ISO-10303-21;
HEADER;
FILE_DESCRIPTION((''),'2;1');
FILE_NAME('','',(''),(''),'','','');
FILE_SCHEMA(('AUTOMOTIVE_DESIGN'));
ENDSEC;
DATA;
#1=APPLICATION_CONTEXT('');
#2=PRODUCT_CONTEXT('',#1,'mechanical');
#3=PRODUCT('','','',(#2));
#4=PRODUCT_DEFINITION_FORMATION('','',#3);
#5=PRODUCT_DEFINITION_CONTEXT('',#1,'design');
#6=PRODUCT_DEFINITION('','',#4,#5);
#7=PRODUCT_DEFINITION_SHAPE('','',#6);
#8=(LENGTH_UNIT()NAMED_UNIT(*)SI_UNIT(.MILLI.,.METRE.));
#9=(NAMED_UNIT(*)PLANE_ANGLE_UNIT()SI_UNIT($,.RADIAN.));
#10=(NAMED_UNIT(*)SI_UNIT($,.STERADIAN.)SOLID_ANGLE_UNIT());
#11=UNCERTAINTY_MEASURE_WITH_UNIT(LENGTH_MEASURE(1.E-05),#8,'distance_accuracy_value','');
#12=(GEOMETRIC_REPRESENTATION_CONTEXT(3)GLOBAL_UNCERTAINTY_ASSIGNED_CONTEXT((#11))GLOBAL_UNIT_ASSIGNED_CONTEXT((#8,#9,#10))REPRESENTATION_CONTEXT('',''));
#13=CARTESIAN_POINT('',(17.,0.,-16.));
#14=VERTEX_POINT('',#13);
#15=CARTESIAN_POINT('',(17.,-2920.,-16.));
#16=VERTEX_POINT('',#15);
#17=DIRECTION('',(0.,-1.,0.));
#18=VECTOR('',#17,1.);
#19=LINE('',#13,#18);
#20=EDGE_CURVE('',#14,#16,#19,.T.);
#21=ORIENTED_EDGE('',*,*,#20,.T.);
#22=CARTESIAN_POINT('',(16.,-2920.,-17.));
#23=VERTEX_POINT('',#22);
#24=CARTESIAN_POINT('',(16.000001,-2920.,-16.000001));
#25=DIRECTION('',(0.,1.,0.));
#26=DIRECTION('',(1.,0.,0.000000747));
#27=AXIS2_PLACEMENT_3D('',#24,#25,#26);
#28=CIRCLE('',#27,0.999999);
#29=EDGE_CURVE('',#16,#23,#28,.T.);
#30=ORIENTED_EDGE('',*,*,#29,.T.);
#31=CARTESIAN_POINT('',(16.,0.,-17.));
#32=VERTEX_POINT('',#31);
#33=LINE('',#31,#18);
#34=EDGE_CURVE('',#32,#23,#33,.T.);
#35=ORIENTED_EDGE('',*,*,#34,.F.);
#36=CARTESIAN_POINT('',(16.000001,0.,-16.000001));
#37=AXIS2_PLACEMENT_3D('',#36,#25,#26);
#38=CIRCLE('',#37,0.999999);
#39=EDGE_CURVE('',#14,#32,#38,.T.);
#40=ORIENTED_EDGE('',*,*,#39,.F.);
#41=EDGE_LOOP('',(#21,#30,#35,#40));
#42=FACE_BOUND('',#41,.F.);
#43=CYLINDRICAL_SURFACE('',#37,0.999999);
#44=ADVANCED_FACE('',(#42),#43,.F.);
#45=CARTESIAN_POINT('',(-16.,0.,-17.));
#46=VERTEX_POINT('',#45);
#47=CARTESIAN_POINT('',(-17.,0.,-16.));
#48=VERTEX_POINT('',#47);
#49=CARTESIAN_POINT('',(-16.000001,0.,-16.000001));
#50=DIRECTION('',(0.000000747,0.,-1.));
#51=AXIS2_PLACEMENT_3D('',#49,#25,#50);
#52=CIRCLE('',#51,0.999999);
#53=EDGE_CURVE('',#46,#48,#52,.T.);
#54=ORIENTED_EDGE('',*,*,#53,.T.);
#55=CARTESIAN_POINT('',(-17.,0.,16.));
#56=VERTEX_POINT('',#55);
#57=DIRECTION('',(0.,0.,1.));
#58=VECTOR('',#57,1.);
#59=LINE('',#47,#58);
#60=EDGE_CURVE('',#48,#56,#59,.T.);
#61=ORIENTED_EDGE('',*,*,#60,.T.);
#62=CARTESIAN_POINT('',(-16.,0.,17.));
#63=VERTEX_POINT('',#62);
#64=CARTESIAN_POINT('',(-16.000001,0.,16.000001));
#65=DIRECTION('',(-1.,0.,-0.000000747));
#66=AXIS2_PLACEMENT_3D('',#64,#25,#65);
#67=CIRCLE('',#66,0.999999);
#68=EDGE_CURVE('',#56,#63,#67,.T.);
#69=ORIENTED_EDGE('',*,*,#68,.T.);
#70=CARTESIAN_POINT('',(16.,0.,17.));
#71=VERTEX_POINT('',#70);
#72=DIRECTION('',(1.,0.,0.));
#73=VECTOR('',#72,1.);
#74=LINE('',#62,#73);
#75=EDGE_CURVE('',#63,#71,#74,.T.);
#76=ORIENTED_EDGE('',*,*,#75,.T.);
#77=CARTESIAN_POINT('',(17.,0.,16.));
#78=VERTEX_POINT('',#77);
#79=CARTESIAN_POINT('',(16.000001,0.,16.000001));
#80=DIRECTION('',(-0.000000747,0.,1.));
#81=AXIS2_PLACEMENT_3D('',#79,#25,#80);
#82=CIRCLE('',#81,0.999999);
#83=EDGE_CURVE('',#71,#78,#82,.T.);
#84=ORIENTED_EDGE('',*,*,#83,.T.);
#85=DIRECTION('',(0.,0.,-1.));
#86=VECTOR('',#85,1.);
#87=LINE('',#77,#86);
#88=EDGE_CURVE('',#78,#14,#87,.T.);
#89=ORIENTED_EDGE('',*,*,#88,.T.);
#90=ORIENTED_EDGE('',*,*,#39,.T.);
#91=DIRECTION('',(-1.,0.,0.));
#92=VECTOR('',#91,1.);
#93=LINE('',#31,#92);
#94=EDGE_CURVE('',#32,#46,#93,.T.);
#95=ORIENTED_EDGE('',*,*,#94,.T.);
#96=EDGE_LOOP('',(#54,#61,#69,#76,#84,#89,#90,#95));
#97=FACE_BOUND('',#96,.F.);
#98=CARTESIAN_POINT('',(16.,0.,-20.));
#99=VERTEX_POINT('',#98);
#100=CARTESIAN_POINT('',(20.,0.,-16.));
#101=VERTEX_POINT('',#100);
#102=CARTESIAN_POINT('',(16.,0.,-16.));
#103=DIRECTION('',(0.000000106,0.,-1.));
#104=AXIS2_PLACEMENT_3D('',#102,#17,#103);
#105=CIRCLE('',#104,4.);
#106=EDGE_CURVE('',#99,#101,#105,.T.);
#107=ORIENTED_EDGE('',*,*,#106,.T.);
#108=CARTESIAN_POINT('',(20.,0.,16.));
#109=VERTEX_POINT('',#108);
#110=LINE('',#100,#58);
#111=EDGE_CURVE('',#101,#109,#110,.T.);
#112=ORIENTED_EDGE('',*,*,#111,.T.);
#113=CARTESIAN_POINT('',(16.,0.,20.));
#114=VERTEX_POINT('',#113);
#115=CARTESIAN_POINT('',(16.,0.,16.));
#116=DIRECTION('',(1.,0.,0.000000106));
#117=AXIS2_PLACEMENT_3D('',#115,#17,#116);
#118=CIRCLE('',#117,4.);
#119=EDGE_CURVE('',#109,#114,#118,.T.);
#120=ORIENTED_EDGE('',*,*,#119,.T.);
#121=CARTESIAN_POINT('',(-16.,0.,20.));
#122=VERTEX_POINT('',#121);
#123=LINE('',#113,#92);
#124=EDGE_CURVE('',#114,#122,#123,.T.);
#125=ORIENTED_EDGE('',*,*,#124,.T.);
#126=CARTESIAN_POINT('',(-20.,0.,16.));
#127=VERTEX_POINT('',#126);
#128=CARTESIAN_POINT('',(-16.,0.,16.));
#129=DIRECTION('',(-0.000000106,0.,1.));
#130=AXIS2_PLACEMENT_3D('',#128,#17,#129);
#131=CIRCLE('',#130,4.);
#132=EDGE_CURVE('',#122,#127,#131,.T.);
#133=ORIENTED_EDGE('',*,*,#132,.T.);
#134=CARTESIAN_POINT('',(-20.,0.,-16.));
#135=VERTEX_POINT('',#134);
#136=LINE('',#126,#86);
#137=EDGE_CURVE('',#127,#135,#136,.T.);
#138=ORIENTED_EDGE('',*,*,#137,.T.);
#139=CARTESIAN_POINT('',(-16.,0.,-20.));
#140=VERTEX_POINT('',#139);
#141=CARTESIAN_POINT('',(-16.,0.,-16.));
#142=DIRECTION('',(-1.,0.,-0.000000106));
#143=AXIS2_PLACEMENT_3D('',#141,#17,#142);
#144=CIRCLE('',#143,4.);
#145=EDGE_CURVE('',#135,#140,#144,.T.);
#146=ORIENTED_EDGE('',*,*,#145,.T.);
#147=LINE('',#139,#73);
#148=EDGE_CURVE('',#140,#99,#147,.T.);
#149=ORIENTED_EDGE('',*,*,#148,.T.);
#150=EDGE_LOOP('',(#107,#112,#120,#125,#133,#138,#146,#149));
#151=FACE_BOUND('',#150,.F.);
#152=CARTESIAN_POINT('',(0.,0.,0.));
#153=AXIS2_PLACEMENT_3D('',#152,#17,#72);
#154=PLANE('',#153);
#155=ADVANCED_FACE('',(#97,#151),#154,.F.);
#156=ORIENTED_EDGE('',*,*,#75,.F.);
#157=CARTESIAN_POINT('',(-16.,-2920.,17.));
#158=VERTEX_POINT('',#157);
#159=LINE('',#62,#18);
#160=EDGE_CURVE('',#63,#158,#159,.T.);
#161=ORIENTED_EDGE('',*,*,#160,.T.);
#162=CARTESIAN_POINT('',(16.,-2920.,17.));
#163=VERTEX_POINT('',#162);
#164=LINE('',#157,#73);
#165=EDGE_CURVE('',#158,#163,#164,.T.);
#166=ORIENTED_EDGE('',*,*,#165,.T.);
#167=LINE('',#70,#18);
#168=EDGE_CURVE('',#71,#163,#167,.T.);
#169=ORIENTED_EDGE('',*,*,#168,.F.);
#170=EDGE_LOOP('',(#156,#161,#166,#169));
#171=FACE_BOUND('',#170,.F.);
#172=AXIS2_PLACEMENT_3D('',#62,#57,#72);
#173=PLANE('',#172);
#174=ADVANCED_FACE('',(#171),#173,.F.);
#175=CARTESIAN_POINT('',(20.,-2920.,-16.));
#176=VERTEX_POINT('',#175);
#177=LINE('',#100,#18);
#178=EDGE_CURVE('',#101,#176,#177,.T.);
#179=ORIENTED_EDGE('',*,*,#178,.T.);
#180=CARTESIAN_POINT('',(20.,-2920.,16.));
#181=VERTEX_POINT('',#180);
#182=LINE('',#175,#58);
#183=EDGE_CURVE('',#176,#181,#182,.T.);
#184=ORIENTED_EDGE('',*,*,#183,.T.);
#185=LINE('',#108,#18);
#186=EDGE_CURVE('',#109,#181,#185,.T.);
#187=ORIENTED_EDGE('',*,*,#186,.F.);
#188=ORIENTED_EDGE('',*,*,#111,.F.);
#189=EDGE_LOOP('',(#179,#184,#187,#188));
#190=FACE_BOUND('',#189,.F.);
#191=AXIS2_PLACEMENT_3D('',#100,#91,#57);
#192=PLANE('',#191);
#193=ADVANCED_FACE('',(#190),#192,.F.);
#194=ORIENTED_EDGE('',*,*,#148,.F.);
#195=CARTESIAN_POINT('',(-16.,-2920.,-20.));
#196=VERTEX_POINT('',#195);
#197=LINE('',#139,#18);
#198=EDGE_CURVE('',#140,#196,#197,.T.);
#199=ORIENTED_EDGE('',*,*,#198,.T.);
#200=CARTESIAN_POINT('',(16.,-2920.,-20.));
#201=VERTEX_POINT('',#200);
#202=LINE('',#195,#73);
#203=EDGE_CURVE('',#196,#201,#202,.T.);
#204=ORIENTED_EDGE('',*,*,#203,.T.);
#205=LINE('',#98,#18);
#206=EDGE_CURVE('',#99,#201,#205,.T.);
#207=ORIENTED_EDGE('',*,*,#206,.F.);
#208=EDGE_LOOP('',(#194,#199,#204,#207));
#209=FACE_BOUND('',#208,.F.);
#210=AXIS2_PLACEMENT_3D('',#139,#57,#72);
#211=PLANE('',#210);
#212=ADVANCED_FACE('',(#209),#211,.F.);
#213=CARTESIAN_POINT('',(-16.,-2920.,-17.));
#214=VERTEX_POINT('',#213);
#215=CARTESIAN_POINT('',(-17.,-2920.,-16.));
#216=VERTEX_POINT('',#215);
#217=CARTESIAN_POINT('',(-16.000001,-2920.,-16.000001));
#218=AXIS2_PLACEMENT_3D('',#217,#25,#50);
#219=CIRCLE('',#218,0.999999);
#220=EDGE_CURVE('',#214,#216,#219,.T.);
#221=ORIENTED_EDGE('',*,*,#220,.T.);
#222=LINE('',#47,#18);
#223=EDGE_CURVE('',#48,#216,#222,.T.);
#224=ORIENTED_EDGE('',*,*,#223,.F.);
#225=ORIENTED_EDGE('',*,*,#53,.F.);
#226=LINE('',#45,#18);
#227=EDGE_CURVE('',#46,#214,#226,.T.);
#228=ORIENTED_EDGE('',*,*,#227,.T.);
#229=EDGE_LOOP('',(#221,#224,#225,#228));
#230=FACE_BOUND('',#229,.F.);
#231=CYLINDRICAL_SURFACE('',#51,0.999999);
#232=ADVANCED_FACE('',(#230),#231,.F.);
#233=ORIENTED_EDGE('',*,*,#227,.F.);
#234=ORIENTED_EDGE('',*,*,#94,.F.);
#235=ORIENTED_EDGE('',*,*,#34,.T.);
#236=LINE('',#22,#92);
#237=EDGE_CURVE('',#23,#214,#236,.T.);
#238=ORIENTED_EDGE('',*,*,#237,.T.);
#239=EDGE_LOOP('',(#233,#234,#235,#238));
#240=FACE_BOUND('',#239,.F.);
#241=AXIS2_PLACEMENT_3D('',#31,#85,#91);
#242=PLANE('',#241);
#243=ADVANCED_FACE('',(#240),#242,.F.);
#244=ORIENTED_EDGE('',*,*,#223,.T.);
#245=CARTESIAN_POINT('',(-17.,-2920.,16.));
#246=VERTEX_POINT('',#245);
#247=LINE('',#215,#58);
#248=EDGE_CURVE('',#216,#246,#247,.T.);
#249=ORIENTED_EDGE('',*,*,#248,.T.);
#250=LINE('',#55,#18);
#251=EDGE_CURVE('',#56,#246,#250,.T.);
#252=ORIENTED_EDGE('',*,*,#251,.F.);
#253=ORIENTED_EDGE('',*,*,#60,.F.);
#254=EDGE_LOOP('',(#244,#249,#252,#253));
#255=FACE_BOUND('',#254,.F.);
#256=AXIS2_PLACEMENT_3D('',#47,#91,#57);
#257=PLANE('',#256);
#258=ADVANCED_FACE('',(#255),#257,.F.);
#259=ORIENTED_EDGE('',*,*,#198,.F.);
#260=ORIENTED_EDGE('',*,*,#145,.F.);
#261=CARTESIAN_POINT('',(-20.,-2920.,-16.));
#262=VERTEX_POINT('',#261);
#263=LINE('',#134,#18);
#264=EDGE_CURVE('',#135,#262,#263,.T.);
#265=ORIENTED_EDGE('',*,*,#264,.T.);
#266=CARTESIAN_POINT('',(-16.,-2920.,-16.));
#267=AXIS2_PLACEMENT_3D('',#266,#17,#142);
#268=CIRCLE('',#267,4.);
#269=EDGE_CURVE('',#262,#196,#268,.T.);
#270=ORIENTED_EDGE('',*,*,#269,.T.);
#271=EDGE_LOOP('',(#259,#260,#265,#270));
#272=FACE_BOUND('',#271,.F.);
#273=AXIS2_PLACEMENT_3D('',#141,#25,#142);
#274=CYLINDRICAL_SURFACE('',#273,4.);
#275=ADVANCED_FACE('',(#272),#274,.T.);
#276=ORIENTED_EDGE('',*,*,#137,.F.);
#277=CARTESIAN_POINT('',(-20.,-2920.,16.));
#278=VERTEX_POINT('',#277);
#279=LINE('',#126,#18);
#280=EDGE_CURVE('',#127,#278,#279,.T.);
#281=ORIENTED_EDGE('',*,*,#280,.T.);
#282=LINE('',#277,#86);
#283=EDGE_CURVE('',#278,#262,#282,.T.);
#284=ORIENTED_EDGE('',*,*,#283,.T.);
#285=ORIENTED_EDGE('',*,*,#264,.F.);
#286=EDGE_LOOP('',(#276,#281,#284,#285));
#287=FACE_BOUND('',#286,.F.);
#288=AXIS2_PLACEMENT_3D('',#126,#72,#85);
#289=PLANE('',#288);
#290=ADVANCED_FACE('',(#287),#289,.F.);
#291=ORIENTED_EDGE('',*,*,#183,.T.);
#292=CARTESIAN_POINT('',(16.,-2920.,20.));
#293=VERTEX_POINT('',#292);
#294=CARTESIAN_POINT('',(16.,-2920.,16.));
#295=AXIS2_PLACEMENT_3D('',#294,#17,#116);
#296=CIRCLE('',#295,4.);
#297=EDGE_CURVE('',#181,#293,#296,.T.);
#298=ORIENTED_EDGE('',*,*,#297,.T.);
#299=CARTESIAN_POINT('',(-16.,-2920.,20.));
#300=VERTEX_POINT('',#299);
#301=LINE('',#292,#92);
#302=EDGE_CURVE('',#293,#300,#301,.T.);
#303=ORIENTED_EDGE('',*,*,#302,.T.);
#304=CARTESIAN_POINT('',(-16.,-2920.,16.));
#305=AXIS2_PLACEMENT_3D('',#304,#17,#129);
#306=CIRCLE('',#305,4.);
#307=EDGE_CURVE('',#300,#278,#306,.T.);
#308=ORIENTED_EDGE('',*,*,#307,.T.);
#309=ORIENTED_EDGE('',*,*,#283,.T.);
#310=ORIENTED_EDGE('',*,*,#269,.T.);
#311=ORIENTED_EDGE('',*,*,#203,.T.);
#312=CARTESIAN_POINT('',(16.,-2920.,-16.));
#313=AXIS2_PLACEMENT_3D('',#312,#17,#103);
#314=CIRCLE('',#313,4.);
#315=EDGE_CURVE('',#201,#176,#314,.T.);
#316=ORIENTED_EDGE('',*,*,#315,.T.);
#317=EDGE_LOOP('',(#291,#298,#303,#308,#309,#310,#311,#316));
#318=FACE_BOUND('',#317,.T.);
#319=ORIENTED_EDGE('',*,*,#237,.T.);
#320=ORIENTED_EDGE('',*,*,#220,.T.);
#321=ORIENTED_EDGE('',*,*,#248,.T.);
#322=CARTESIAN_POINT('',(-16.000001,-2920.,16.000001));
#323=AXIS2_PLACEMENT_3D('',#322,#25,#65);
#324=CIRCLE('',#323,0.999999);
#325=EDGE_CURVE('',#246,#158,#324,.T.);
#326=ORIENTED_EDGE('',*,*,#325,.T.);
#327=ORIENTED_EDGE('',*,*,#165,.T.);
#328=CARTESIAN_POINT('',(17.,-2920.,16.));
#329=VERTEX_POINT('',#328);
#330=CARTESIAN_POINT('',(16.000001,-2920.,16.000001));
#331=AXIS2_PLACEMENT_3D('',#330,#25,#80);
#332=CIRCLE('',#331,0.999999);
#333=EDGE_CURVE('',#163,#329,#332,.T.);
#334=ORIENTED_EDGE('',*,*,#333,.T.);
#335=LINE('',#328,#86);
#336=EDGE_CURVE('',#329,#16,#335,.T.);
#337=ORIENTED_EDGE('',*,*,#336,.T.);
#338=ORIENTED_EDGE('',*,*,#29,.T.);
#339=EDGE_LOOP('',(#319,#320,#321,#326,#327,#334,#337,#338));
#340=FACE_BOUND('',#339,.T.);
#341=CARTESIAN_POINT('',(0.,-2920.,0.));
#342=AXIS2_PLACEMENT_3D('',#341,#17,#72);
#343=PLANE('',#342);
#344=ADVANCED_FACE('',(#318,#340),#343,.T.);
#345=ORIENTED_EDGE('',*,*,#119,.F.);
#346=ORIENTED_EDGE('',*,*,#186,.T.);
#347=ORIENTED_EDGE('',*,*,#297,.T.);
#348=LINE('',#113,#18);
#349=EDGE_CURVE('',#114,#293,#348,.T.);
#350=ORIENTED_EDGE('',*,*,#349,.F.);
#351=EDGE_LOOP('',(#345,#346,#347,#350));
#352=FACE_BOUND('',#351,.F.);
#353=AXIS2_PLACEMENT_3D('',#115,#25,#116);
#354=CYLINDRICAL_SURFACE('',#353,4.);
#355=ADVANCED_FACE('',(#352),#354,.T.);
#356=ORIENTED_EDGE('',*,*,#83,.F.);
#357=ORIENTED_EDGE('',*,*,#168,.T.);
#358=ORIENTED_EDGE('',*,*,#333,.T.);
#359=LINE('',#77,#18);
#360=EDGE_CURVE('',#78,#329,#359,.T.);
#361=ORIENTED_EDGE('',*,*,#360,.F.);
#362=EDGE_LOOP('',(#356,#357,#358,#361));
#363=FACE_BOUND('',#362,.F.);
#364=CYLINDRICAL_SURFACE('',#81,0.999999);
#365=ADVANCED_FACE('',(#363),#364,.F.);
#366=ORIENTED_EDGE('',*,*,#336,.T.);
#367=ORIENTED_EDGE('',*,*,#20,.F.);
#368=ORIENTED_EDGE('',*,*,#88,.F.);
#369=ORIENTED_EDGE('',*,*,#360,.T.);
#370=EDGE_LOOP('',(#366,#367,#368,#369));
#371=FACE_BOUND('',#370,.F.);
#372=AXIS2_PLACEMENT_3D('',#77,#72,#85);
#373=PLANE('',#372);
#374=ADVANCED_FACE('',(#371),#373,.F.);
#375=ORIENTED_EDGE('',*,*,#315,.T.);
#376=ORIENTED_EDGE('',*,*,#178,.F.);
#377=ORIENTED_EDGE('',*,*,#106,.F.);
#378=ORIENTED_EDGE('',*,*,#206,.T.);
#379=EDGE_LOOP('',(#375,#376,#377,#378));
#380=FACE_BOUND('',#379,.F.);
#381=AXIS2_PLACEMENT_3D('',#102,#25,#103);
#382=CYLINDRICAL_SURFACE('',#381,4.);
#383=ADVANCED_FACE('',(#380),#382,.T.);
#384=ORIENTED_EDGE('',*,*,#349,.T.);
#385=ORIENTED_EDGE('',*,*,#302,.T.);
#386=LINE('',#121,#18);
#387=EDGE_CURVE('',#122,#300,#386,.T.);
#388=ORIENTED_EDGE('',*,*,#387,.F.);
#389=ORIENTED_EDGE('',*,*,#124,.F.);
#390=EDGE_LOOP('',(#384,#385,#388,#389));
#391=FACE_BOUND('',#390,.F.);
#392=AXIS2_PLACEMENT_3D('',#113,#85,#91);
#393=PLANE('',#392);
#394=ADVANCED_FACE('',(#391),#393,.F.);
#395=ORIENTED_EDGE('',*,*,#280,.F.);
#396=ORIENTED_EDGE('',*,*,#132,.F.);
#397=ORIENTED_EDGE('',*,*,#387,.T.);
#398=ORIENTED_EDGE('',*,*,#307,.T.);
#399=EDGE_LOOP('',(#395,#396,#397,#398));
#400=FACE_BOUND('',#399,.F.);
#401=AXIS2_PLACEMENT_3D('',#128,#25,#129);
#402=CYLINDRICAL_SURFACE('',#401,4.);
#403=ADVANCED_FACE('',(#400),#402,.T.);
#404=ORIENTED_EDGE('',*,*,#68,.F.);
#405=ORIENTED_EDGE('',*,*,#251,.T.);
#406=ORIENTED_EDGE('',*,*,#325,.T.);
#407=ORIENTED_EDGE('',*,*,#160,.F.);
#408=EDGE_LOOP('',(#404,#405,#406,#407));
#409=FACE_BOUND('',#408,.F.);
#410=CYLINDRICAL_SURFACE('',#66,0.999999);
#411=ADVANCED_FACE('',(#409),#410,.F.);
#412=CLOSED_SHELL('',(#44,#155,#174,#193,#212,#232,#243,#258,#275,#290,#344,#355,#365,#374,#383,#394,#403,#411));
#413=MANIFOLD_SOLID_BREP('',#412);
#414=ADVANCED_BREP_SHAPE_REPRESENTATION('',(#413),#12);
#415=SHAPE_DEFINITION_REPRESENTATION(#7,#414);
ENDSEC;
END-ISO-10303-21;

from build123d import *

# Parameters (mm, degrees)
F1_DEPTH = 2920


with BuildPart() as f1:
    # F0 (on Front) → F1 (new body)
    with BuildSketch(Plane.XZ):
        with BuildLine():
            ThreePointArc((20, 16), (18.828427, 18.828427), (16, 20))
            Line((16, 20), (-16, 20))
            ThreePointArc((-16, 20), (-18.828427, 18.828427), (-20, 16))
            Line((-20, 16), (-20, -16))
            ThreePointArc((-20, -16), (-18.828427, -18.828427), (-16, -20))
            Line((-16, -20), (16, -20))
            ThreePointArc((16, -20), (18.828427, -18.828427), (20, -16))
            Line((20, -16), (20, 16))
        make_face()
        with BuildLine():
            Line((-16, 17), (16, 17))
            ThreePointArc((16, 17), (16.707107, 16.707107), (17, 16))
            Line((17, 16), (17, -16))
            ThreePointArc((17, -16), (16.707107, -16.707107), (16, -17))
            Line((16, -17), (-16, -17))
            ThreePointArc((-16, -17), (-16.707107, -16.707107), (-17, -16))
            Line((-17, -16), (-17, 16))
            ThreePointArc((-17, 16), (-16.707107, 16.707107), (-16, 17))
        make_face(mode=Mode.SUBTRACT)
    extrude(amount=F1_DEPTH)


solid = f1.part
